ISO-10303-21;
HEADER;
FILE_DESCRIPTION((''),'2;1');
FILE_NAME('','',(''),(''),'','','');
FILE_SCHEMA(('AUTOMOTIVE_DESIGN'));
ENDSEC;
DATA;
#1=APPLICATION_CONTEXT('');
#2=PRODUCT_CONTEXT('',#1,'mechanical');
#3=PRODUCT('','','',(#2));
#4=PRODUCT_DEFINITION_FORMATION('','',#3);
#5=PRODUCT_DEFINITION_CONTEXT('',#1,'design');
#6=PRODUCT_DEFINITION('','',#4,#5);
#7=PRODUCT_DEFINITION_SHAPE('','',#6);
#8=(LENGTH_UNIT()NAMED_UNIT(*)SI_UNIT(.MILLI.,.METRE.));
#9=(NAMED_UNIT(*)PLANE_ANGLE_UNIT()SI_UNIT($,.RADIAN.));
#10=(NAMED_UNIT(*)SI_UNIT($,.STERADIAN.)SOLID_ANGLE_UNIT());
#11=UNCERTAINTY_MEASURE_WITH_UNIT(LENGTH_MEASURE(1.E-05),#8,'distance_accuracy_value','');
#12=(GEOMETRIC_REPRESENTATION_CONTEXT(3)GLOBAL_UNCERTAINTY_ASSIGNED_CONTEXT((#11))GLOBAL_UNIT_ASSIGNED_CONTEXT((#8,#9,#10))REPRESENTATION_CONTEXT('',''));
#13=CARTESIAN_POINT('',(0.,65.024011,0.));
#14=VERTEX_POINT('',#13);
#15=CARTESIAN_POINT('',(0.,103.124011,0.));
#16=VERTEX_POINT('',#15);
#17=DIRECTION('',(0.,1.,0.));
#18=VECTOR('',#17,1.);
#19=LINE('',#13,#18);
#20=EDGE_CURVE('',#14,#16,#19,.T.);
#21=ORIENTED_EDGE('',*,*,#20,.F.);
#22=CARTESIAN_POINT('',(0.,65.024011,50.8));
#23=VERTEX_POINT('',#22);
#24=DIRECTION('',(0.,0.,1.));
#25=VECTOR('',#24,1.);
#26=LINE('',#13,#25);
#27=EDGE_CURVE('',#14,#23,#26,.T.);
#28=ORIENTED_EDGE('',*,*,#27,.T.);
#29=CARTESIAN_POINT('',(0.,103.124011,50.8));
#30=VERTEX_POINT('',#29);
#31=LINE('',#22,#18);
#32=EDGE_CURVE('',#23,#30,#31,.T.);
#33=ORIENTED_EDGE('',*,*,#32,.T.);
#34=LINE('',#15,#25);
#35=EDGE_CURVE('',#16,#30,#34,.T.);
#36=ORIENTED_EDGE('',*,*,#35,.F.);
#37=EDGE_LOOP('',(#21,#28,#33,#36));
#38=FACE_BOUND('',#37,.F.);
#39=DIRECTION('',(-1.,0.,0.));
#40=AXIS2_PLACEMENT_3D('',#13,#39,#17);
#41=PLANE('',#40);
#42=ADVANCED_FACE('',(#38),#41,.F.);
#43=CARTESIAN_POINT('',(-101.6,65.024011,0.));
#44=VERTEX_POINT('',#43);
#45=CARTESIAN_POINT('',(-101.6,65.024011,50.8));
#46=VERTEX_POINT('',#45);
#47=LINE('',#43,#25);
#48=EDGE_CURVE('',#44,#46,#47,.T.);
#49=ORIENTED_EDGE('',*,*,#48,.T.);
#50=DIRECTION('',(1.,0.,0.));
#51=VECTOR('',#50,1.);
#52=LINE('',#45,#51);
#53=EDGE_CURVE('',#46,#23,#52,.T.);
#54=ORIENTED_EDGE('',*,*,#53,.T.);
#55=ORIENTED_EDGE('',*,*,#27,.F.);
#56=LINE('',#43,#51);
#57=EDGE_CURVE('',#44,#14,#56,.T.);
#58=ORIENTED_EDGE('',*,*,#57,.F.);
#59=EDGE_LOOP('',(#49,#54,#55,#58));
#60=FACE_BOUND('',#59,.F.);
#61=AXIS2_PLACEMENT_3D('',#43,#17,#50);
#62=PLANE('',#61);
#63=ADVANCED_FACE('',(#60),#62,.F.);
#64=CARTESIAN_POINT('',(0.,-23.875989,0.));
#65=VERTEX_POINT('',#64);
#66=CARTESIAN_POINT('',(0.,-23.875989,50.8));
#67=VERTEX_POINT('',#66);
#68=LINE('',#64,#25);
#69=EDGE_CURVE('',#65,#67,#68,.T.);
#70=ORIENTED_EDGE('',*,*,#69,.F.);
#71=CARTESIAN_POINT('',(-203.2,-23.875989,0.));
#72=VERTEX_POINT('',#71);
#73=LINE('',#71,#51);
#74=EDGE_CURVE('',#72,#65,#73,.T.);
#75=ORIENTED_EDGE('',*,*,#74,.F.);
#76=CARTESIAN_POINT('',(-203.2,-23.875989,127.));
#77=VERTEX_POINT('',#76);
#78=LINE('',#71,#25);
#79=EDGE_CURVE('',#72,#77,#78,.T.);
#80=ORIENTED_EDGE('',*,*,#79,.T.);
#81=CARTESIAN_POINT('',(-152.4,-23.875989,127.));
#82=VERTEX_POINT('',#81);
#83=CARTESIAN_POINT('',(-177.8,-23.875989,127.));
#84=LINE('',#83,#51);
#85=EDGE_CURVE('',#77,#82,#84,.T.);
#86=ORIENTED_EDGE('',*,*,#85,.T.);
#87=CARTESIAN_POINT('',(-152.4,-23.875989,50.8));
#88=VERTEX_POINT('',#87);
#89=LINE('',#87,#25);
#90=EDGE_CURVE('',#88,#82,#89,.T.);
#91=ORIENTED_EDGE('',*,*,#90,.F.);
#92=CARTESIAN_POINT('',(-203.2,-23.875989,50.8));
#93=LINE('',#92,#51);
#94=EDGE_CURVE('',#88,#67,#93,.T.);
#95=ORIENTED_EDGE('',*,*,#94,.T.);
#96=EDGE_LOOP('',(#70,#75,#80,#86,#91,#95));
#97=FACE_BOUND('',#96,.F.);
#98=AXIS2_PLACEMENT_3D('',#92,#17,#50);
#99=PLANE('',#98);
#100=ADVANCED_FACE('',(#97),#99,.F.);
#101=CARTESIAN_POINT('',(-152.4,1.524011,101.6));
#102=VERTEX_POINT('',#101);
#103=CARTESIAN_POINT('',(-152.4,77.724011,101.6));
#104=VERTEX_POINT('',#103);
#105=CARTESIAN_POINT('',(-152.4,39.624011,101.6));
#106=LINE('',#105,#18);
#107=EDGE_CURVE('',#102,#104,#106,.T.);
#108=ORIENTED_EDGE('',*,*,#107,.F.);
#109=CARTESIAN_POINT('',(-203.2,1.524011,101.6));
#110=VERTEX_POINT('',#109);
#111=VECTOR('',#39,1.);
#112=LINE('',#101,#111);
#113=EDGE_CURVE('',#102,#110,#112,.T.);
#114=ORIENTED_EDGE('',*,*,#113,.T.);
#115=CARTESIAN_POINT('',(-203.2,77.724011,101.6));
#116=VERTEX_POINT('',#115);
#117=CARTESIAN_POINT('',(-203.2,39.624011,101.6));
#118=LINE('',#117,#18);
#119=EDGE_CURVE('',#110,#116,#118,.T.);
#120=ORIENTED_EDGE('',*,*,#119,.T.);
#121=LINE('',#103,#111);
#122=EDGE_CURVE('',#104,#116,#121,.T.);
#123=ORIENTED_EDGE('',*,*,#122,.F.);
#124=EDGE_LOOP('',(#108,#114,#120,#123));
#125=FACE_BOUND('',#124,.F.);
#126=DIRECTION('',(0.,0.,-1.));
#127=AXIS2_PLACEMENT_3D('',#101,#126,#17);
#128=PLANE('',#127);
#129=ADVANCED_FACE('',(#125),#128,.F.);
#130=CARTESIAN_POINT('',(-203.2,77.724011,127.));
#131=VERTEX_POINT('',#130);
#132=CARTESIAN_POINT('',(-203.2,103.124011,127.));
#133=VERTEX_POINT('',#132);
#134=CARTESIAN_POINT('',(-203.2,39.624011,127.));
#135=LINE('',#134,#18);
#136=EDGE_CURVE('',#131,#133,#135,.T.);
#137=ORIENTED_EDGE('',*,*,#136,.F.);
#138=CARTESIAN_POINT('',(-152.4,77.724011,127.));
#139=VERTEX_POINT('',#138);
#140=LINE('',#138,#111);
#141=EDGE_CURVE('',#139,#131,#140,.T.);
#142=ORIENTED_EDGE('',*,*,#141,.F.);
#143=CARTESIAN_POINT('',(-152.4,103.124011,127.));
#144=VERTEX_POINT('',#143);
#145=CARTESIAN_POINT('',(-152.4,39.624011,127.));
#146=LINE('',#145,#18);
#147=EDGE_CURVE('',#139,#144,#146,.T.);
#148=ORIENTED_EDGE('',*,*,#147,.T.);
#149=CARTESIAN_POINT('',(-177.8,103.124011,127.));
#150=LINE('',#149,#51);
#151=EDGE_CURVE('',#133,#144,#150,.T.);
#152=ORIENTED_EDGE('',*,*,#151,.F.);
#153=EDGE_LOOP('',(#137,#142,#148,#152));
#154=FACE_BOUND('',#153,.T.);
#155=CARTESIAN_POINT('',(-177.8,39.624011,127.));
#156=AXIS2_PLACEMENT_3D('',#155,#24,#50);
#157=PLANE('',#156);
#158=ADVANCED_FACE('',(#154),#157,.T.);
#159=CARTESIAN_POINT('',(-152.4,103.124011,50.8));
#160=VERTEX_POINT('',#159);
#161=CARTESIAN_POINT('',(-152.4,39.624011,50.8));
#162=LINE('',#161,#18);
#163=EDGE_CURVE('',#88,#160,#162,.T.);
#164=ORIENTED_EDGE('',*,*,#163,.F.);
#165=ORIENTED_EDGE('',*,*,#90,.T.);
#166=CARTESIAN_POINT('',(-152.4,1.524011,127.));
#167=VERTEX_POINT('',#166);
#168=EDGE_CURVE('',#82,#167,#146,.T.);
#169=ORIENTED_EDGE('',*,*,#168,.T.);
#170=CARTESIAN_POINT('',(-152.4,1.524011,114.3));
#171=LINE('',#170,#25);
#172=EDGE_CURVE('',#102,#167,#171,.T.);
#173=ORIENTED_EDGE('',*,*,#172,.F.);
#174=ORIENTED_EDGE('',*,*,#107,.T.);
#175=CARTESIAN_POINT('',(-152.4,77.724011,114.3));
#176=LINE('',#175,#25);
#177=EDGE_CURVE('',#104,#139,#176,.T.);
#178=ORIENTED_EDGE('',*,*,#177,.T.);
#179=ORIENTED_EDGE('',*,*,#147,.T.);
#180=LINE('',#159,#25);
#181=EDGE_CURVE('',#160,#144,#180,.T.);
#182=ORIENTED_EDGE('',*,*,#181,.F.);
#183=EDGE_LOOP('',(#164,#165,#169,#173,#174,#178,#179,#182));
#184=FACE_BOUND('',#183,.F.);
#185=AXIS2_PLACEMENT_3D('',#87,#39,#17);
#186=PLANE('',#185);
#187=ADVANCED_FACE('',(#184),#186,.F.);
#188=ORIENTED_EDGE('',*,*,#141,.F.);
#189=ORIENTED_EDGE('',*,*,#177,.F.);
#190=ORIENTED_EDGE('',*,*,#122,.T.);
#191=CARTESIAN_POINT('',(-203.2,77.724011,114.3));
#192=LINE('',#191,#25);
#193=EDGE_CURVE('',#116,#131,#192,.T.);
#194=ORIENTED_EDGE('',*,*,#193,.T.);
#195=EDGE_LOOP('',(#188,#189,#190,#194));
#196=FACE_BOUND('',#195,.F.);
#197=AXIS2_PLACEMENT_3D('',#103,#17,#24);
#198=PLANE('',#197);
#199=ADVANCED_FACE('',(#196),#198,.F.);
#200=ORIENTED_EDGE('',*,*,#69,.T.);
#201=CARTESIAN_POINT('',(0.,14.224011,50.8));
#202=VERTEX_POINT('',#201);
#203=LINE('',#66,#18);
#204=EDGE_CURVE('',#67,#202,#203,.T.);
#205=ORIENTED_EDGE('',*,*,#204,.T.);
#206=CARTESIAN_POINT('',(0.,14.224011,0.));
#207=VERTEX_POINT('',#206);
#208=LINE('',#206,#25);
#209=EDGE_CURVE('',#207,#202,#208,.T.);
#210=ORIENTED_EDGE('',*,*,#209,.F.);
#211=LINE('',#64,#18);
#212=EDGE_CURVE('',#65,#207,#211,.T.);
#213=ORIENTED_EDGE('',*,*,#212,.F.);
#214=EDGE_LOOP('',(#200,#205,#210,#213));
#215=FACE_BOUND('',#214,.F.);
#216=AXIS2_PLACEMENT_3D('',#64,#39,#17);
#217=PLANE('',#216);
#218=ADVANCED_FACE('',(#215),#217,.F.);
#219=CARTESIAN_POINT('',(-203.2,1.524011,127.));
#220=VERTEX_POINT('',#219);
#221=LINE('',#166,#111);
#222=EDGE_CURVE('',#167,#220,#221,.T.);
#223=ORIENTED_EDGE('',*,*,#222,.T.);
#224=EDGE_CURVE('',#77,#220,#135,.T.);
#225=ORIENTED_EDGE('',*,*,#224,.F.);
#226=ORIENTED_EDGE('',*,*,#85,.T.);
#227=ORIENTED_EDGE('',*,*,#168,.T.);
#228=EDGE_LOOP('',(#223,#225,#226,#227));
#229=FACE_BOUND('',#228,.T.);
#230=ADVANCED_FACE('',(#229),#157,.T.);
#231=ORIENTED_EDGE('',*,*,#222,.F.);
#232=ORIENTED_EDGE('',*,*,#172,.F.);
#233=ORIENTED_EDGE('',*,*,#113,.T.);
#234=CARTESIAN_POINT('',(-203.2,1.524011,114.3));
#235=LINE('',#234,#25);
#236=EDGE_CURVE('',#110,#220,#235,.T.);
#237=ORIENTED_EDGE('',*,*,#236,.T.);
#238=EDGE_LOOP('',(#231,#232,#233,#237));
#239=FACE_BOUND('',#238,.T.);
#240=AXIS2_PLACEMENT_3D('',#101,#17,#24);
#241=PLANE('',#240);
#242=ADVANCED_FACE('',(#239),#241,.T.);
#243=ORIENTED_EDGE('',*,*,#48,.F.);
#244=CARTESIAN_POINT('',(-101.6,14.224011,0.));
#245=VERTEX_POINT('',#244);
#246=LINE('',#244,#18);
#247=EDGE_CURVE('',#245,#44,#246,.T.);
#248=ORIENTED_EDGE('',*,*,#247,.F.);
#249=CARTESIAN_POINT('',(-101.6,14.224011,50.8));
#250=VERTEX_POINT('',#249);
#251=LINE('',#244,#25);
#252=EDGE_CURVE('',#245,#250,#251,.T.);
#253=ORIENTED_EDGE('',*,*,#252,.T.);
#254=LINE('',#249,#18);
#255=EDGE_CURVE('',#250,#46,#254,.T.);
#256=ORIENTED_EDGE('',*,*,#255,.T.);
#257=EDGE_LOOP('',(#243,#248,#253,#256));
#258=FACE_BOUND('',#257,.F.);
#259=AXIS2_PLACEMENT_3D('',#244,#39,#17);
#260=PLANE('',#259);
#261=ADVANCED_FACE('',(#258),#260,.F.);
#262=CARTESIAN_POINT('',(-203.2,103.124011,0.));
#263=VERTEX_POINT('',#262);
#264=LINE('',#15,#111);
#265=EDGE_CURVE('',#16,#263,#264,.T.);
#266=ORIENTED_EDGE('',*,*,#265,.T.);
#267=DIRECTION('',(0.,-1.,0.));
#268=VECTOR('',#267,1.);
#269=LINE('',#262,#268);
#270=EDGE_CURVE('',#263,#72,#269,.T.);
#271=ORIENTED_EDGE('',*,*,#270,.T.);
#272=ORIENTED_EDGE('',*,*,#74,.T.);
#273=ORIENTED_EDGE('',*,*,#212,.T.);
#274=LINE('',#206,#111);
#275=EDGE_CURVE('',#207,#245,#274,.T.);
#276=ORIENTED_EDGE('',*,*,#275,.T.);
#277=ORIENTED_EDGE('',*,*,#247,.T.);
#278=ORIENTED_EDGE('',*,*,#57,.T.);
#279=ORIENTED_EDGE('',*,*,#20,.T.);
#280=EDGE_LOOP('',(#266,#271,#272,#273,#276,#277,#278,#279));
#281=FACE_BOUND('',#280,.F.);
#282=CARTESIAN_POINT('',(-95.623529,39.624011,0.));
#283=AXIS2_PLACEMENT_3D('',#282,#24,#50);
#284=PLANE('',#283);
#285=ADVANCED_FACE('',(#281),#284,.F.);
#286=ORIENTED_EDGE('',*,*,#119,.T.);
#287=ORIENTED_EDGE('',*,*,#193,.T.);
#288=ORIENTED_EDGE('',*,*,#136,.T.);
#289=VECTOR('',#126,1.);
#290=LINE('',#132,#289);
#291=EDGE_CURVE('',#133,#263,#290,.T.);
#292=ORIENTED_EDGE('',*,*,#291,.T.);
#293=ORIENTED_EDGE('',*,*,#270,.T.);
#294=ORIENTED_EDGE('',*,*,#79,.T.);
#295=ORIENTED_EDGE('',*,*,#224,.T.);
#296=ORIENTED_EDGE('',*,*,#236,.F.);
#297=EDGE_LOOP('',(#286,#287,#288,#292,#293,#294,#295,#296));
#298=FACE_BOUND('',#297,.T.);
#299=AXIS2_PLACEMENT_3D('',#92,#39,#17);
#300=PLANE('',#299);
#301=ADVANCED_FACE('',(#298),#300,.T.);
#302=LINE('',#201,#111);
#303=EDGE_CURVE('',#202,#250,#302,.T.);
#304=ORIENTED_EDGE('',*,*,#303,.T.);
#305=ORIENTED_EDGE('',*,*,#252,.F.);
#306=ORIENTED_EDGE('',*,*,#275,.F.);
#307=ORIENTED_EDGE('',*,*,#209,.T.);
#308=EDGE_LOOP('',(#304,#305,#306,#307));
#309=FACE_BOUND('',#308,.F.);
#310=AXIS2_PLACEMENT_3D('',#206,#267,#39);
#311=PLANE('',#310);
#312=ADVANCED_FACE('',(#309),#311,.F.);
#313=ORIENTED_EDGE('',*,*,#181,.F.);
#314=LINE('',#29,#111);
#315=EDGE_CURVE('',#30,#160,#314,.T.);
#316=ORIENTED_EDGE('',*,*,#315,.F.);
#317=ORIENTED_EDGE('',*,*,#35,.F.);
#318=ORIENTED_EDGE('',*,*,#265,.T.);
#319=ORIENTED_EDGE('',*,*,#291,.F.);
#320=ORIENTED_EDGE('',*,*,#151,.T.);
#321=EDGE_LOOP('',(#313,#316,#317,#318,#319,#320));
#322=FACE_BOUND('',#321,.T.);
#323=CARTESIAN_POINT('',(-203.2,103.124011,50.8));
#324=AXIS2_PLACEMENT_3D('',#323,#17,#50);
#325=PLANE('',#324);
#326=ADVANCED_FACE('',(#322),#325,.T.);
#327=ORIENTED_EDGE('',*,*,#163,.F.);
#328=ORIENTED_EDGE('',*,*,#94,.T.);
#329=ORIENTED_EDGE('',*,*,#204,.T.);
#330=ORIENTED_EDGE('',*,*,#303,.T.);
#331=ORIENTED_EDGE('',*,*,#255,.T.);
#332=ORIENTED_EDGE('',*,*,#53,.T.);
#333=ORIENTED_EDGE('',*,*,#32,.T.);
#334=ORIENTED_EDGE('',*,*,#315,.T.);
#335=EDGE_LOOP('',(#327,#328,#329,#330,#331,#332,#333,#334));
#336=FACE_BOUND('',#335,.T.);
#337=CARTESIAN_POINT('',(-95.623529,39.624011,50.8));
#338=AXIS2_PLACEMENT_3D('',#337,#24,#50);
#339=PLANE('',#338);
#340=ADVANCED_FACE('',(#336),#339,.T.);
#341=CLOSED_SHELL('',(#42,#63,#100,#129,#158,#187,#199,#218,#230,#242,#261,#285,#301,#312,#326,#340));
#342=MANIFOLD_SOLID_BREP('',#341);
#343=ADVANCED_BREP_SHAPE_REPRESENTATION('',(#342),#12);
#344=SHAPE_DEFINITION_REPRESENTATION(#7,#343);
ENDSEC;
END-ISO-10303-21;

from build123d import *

# Parameters (mm, degrees)
F1_DEPTH = 50.8
F2_W     = 50.8
F2_H     = 127
F3_DEPTH = 76.2
F4_W     = 76.2
F4_H     = 25.4
F5_DEPTH = 50.8


with BuildPart() as f1:
    # F0 (on Top) → F1 (new body)
    with BuildSketch(Plane.XY):
        Polygon((0, 103.124011), (-203.2, 103.124011), (-203.2, -23.875989), (0, -23.875989), (0, 14.224011), (-101.6, 14.224011), (-101.6, 65.024011), (0, 65.024011), align=None)
    extrude(amount=F1_DEPTH)

    # F2 (on face) → F3 (join)
    with BuildSketch(Plane.XY.offset(50.8)):
        with Locations((-177.8, 39.624011)):
            Rectangle(F2_W, F2_H)
    extrude(amount=F3_DEPTH)

    # F4 (on face) → F5 (cut)
    with BuildSketch(Plane.YZ.offset(-152.4)):
        with Locations((39.624011, 114.3)):
            Rectangle(F4_W, F4_H)
    extrude(amount=-F5_DEPTH, mode=Mode.SUBTRACT)


solid = f1.part
